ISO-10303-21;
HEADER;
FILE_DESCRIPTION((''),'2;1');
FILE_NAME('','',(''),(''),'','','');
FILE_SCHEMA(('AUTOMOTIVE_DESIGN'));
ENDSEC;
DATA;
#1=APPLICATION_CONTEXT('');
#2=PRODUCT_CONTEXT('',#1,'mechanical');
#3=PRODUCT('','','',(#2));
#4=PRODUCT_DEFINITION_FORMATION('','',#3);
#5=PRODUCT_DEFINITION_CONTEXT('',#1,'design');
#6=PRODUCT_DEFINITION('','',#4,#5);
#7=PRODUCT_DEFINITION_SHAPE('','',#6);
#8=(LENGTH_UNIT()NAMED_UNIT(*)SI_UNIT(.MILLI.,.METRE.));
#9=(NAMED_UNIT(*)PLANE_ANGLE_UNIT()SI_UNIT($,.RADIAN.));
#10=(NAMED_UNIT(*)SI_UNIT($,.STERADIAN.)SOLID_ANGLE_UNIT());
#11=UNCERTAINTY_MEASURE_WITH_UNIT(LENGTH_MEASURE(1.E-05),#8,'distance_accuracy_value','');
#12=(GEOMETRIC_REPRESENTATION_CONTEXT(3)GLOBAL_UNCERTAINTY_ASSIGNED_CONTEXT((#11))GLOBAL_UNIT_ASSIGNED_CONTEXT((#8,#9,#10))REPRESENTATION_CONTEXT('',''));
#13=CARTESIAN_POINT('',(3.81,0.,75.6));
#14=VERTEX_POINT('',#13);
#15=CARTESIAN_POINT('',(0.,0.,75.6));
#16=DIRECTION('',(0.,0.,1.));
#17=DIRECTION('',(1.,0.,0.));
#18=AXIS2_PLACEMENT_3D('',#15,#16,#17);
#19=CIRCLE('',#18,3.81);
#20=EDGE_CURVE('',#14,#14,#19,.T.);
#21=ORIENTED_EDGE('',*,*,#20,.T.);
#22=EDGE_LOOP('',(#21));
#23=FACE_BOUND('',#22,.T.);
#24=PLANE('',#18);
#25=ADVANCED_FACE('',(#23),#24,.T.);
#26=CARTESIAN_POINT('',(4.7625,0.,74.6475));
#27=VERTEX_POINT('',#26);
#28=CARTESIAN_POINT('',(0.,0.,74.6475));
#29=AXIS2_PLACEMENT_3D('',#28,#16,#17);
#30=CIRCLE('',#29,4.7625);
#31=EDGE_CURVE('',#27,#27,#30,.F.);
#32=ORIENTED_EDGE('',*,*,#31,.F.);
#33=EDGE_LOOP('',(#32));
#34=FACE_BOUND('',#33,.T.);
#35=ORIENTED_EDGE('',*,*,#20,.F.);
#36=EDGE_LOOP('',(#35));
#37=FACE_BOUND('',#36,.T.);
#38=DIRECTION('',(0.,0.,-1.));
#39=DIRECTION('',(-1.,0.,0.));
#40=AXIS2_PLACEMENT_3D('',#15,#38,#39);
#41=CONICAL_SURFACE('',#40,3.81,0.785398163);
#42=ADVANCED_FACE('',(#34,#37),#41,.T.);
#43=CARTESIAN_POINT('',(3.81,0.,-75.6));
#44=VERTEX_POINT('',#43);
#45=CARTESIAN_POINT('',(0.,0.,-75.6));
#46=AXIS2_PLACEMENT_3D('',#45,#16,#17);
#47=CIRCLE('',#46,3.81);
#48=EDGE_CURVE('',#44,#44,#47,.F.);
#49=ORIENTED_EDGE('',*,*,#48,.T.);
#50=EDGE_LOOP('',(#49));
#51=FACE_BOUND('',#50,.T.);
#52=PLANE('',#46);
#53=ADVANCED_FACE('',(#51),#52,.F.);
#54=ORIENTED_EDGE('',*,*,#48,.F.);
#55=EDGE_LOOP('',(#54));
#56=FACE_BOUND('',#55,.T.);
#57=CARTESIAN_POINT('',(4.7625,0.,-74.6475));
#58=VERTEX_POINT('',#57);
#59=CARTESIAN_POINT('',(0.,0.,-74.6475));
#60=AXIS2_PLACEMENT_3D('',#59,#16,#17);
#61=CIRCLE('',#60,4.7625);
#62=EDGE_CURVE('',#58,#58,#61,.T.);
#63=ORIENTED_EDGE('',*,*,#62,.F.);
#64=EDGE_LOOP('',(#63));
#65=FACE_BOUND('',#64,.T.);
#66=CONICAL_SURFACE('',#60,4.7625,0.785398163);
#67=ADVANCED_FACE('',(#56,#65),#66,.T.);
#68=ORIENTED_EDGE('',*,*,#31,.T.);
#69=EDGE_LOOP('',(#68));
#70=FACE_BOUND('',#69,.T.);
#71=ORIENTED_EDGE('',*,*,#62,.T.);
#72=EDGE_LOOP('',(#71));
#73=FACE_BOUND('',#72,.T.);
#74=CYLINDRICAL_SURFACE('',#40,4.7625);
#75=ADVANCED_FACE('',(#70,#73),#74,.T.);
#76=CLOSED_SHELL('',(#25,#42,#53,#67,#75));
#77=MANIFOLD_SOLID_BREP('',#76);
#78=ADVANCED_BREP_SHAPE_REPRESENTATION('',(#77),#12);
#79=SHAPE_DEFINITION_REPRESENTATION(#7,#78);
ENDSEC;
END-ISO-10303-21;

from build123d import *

# Parameters (mm, degrees)
SKETCH1_R      = 4.7625
EXTRUDE1_DEPTH = 75.6
CHAMFER1_SIZE  = 0.9525


with BuildPart() as part:
    # Sketch1 → Extrude1 (new body, symmetric)
    with BuildSketch(Plane.XY):
        Circle(SKETCH1_R)
    extrude(amount=EXTRUDE1_DEPTH, both=True)

    # Chamfer1
    chamfer1_edges = [part.edges().sort_by_distance(p)[0] for p in [
        (-4.7625, 0, -75.6),
        (-4.7625, 0, 75.6),
    ]]
    chamfer(chamfer1_edges, length=CHAMFER1_SIZE)


solid = part.part
